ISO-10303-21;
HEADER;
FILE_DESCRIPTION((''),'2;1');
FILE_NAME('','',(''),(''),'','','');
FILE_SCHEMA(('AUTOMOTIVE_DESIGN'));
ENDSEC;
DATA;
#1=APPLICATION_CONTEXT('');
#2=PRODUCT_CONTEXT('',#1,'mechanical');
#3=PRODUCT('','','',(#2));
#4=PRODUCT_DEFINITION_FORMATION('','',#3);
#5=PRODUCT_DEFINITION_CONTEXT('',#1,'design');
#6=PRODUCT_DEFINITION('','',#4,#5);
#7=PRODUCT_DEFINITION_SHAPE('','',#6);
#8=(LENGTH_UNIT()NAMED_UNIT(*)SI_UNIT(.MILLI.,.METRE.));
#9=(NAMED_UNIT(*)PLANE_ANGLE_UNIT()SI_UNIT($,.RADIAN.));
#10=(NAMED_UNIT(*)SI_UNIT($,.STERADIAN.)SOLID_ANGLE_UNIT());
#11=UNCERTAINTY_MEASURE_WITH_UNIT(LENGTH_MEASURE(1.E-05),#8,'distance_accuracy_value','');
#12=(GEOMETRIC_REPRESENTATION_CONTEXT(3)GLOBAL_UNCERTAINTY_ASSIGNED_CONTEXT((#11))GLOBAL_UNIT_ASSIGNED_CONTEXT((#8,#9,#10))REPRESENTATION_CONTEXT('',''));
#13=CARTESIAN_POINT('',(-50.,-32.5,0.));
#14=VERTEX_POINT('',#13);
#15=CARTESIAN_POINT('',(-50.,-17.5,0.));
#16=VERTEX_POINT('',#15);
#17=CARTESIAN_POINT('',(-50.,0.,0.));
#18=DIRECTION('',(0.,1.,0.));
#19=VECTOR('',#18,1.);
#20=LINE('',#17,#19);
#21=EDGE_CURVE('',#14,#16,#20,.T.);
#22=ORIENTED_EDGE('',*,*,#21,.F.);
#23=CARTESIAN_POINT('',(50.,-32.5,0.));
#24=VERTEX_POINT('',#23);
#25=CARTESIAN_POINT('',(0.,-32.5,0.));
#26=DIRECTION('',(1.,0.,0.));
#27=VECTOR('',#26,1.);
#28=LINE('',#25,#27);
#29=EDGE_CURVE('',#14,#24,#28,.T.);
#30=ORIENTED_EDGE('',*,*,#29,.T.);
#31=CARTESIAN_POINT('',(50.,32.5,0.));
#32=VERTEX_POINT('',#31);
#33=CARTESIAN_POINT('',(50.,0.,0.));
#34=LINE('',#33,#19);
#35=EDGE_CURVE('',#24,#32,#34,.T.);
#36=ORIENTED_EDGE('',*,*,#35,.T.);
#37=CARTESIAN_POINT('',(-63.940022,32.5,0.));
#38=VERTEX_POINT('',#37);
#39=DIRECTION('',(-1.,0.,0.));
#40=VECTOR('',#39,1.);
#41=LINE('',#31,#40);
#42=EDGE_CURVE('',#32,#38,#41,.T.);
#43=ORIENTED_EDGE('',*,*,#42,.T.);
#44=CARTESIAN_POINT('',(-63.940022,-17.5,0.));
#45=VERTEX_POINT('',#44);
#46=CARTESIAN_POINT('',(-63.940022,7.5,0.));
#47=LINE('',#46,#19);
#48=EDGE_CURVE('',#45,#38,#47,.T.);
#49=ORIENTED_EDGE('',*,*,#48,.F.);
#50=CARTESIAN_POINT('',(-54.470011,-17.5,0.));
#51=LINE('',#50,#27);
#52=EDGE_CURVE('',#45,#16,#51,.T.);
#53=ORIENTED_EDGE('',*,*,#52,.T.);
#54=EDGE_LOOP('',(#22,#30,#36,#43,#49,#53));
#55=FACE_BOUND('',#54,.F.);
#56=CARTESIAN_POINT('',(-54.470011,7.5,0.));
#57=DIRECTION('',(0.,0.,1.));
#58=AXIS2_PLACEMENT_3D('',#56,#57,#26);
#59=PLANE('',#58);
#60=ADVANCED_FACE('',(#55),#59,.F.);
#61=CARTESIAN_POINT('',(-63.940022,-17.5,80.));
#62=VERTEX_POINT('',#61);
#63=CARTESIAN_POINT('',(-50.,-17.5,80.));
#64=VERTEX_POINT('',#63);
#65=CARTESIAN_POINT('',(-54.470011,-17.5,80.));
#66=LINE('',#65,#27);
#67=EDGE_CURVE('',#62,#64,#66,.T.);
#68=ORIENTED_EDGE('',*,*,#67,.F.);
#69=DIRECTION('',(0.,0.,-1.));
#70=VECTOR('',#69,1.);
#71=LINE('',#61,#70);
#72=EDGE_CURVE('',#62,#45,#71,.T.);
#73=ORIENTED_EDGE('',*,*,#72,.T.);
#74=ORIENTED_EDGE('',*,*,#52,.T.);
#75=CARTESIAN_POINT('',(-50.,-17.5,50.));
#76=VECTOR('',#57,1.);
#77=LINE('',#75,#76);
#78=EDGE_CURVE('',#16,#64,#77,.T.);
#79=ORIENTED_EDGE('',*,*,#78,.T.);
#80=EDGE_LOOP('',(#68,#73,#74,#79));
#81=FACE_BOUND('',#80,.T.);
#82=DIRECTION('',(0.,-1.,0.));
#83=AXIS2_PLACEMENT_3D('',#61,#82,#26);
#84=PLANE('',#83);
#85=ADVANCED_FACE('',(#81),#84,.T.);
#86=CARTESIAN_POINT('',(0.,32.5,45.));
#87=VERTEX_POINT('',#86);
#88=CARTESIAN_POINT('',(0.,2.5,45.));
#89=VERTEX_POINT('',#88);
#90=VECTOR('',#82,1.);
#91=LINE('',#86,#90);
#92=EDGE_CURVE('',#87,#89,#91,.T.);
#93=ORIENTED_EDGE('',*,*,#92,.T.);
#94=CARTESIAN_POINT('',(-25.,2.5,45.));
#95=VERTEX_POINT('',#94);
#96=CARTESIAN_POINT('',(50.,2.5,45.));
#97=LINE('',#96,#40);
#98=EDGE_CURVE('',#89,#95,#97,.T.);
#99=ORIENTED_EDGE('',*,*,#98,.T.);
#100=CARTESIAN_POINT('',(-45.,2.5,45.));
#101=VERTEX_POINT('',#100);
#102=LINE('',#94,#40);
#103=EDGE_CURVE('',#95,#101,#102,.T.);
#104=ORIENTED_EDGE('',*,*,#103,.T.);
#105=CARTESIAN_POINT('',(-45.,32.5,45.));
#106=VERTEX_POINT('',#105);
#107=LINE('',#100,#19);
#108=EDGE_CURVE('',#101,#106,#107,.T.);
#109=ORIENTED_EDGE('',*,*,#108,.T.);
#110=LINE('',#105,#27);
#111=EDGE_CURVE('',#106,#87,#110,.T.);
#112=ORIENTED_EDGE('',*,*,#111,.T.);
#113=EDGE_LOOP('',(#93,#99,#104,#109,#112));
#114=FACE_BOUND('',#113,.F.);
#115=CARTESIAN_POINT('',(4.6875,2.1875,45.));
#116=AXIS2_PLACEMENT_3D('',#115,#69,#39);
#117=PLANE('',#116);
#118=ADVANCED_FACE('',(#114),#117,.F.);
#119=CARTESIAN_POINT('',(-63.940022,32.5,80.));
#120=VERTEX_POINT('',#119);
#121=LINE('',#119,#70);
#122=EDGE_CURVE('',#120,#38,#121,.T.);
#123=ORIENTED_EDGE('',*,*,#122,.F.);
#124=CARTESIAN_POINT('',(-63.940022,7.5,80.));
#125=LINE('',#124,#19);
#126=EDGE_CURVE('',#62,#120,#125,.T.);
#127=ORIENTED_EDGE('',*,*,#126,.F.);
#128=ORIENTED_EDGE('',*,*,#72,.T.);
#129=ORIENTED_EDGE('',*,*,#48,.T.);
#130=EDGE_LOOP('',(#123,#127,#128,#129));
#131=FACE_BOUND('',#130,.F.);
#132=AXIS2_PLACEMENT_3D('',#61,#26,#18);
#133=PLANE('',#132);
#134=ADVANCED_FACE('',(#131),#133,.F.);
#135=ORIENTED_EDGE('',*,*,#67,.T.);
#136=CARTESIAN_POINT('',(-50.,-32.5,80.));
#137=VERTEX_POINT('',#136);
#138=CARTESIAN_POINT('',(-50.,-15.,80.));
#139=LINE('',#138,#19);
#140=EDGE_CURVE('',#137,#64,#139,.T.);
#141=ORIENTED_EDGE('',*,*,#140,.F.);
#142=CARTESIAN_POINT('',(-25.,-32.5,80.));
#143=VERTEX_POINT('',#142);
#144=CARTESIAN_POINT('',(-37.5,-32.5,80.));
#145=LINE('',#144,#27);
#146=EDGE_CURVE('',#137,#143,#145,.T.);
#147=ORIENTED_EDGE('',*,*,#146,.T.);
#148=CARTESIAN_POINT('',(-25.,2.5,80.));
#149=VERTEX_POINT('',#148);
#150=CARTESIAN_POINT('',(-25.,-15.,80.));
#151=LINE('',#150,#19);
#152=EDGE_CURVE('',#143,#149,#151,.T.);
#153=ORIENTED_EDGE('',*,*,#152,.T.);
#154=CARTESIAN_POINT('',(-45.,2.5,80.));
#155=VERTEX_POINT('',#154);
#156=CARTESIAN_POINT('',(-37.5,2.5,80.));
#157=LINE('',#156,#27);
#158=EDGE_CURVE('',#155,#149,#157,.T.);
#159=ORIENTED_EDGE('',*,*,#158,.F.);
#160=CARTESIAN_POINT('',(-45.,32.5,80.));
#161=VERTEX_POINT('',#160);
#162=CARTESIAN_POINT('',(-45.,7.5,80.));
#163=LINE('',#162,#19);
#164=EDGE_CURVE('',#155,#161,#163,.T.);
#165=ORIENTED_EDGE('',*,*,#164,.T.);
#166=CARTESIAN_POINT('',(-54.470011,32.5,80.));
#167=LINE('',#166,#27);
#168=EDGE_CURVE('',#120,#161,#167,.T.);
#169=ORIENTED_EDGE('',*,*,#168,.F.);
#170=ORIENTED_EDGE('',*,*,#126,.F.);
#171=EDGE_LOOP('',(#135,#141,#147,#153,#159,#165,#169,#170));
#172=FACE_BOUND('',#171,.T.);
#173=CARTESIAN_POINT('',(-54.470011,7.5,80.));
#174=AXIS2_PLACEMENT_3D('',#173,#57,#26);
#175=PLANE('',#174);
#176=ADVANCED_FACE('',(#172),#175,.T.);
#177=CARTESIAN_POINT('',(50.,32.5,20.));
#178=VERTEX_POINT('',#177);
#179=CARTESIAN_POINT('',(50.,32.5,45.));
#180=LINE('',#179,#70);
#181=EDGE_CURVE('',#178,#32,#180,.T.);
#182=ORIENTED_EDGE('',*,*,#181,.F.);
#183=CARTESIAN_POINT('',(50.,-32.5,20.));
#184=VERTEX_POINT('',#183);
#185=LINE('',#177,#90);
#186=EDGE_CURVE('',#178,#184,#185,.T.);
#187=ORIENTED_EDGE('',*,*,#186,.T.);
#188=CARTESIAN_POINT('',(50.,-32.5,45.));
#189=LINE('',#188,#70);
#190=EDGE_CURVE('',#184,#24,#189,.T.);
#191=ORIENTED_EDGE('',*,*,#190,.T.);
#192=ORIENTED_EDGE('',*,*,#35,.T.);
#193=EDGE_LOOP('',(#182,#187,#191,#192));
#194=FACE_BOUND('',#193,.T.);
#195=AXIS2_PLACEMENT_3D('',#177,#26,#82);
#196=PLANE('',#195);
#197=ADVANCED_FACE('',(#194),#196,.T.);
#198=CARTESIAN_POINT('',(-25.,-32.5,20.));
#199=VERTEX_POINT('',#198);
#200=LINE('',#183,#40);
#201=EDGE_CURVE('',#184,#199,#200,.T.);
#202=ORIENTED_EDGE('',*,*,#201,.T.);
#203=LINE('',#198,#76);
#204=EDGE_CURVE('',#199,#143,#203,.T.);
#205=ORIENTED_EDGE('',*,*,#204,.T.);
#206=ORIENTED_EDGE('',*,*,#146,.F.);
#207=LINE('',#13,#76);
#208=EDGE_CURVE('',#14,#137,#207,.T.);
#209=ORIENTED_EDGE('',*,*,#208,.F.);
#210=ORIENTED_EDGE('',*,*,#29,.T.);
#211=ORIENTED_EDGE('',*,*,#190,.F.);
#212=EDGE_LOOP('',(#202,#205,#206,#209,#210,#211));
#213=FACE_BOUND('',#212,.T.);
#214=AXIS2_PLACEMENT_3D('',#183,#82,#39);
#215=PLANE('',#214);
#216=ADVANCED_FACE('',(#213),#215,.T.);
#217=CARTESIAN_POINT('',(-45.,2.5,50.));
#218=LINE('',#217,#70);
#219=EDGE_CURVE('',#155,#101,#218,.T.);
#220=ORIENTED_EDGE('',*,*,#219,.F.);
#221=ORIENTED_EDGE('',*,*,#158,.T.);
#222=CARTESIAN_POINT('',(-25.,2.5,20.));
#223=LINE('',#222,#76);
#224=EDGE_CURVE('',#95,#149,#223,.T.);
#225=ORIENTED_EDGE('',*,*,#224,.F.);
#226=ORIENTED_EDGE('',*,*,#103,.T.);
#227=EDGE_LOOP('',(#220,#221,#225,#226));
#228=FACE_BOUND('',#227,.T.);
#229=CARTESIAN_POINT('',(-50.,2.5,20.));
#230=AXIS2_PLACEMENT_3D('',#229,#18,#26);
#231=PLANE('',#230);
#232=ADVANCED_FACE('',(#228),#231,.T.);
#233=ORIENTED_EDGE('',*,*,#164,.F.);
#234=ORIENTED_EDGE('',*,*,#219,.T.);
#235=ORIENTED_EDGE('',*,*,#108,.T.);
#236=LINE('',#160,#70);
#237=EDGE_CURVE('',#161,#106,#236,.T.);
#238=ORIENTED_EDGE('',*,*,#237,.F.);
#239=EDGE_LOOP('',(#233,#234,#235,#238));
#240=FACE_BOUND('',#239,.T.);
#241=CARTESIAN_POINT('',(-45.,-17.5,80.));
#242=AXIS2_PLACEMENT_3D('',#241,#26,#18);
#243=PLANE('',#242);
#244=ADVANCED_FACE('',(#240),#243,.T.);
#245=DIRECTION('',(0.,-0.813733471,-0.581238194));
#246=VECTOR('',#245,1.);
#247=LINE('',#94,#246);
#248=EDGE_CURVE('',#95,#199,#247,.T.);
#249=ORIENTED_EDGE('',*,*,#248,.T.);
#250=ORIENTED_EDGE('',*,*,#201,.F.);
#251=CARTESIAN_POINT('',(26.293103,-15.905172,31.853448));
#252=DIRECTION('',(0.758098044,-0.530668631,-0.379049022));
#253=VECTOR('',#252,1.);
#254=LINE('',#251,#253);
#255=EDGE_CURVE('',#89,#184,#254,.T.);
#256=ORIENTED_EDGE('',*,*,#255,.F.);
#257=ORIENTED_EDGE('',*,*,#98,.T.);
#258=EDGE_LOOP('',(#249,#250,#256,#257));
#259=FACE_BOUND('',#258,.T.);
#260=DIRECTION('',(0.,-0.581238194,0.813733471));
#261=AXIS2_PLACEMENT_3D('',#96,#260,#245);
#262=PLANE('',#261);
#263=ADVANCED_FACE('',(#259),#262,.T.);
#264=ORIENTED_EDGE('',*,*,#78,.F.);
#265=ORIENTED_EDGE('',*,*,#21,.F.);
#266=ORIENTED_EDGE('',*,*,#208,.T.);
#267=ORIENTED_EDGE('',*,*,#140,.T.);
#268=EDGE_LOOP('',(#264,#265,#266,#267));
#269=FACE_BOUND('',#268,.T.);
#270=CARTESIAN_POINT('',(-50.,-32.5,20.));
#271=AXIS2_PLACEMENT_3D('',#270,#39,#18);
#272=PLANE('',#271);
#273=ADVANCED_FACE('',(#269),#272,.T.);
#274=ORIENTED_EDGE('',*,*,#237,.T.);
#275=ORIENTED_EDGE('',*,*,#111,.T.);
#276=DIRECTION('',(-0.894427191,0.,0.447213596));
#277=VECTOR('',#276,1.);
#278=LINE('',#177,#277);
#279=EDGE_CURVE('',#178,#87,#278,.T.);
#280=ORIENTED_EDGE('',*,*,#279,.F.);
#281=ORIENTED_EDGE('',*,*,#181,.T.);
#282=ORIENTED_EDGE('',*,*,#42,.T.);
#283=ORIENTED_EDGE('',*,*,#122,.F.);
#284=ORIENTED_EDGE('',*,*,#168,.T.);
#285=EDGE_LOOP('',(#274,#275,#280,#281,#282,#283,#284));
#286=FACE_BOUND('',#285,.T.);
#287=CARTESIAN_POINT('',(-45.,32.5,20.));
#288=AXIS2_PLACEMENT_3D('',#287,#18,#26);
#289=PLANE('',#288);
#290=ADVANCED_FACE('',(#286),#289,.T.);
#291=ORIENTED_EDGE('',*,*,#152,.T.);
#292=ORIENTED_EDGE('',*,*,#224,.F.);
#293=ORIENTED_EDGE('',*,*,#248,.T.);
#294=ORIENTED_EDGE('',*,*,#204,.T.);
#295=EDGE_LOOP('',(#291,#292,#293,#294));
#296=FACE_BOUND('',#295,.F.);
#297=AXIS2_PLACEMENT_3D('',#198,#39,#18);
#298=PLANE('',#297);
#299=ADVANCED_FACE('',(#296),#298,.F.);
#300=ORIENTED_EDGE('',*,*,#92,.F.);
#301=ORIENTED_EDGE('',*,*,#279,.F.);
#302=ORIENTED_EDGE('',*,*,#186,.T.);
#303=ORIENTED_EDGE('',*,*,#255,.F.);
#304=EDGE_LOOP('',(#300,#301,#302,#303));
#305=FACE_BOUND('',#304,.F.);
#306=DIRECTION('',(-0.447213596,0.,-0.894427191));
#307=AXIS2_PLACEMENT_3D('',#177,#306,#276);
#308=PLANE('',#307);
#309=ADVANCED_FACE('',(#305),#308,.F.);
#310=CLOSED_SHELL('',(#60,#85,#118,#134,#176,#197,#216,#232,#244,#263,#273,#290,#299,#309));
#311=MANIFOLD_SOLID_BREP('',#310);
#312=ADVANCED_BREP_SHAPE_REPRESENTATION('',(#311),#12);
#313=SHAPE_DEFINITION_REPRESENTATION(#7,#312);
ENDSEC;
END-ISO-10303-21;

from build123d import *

# Parameters (mm, degrees)
SKETCH_W        = 100
SKETCH_H        = 65
PAD_DEPTH       = 20
SKETCH001_W     = 25
SKETCH001_H     = 35
PAD001_DEPTH    = 60
SKETCH002_W     = 18.940022
SKETCH002_H     = 50
PAD002_DEPTH    = 80
PAD003_DEPTH    = 25
POCKET_DEPTH    = 75
POCKET001_DEPTH = 65.001


with BuildPart() as part:
    # Sketch → Pad (new body)
    with BuildSketch(Plane.XY):
        Rectangle(SKETCH_W, SKETCH_H)
    extrude(amount=PAD_DEPTH)

    # Sketch001 → Pad001 (new body)
    with BuildSketch(Plane.XY.offset(20)):
        with Locations((-37.5, -15)):
            Rectangle(SKETCH001_W, SKETCH001_H)
    extrude(amount=PAD001_DEPTH)

    # Sketch002 → Pad002 (new body)
    with BuildSketch(Plane.XY.offset(80)):
        with Locations((-54.470011, 7.5)):
            Rectangle(SKETCH002_W, SKETCH002_H)
    extrude(amount=-PAD002_DEPTH)

    # Sketch003 → Pad003 (new body)
    with BuildSketch(Plane.XY.offset(20)):
        Polygon((-45, 32.5), (50, 32.5), (50, -32.5), (-25, -32.5), (-25, 2.5), (-45, 2.5), align=None)
    extrude(amount=PAD003_DEPTH)

    # Sketch004 → Pocket (cut)
    with BuildSketch(Plane.YZ.offset(50)):
        Polygon((-32.5, 45), (2.5, 45), (-32.5, 20), align=None)
    extrude(amount=-POCKET_DEPTH, mode=Mode.SUBTRACT)

    # Sketch005 → Pocket001 (cut, through all)
    with BuildSketch(Plane(origin=(0, 32.5, 0), x_dir=(-1, 0, 0), z_dir=(0, 1, 0))):
        Polygon((-50, 20), (0, 45), (-50, 45), align=None)
    extrude(amount=-POCKET001_DEPTH, mode=Mode.SUBTRACT)


solid = part.part
